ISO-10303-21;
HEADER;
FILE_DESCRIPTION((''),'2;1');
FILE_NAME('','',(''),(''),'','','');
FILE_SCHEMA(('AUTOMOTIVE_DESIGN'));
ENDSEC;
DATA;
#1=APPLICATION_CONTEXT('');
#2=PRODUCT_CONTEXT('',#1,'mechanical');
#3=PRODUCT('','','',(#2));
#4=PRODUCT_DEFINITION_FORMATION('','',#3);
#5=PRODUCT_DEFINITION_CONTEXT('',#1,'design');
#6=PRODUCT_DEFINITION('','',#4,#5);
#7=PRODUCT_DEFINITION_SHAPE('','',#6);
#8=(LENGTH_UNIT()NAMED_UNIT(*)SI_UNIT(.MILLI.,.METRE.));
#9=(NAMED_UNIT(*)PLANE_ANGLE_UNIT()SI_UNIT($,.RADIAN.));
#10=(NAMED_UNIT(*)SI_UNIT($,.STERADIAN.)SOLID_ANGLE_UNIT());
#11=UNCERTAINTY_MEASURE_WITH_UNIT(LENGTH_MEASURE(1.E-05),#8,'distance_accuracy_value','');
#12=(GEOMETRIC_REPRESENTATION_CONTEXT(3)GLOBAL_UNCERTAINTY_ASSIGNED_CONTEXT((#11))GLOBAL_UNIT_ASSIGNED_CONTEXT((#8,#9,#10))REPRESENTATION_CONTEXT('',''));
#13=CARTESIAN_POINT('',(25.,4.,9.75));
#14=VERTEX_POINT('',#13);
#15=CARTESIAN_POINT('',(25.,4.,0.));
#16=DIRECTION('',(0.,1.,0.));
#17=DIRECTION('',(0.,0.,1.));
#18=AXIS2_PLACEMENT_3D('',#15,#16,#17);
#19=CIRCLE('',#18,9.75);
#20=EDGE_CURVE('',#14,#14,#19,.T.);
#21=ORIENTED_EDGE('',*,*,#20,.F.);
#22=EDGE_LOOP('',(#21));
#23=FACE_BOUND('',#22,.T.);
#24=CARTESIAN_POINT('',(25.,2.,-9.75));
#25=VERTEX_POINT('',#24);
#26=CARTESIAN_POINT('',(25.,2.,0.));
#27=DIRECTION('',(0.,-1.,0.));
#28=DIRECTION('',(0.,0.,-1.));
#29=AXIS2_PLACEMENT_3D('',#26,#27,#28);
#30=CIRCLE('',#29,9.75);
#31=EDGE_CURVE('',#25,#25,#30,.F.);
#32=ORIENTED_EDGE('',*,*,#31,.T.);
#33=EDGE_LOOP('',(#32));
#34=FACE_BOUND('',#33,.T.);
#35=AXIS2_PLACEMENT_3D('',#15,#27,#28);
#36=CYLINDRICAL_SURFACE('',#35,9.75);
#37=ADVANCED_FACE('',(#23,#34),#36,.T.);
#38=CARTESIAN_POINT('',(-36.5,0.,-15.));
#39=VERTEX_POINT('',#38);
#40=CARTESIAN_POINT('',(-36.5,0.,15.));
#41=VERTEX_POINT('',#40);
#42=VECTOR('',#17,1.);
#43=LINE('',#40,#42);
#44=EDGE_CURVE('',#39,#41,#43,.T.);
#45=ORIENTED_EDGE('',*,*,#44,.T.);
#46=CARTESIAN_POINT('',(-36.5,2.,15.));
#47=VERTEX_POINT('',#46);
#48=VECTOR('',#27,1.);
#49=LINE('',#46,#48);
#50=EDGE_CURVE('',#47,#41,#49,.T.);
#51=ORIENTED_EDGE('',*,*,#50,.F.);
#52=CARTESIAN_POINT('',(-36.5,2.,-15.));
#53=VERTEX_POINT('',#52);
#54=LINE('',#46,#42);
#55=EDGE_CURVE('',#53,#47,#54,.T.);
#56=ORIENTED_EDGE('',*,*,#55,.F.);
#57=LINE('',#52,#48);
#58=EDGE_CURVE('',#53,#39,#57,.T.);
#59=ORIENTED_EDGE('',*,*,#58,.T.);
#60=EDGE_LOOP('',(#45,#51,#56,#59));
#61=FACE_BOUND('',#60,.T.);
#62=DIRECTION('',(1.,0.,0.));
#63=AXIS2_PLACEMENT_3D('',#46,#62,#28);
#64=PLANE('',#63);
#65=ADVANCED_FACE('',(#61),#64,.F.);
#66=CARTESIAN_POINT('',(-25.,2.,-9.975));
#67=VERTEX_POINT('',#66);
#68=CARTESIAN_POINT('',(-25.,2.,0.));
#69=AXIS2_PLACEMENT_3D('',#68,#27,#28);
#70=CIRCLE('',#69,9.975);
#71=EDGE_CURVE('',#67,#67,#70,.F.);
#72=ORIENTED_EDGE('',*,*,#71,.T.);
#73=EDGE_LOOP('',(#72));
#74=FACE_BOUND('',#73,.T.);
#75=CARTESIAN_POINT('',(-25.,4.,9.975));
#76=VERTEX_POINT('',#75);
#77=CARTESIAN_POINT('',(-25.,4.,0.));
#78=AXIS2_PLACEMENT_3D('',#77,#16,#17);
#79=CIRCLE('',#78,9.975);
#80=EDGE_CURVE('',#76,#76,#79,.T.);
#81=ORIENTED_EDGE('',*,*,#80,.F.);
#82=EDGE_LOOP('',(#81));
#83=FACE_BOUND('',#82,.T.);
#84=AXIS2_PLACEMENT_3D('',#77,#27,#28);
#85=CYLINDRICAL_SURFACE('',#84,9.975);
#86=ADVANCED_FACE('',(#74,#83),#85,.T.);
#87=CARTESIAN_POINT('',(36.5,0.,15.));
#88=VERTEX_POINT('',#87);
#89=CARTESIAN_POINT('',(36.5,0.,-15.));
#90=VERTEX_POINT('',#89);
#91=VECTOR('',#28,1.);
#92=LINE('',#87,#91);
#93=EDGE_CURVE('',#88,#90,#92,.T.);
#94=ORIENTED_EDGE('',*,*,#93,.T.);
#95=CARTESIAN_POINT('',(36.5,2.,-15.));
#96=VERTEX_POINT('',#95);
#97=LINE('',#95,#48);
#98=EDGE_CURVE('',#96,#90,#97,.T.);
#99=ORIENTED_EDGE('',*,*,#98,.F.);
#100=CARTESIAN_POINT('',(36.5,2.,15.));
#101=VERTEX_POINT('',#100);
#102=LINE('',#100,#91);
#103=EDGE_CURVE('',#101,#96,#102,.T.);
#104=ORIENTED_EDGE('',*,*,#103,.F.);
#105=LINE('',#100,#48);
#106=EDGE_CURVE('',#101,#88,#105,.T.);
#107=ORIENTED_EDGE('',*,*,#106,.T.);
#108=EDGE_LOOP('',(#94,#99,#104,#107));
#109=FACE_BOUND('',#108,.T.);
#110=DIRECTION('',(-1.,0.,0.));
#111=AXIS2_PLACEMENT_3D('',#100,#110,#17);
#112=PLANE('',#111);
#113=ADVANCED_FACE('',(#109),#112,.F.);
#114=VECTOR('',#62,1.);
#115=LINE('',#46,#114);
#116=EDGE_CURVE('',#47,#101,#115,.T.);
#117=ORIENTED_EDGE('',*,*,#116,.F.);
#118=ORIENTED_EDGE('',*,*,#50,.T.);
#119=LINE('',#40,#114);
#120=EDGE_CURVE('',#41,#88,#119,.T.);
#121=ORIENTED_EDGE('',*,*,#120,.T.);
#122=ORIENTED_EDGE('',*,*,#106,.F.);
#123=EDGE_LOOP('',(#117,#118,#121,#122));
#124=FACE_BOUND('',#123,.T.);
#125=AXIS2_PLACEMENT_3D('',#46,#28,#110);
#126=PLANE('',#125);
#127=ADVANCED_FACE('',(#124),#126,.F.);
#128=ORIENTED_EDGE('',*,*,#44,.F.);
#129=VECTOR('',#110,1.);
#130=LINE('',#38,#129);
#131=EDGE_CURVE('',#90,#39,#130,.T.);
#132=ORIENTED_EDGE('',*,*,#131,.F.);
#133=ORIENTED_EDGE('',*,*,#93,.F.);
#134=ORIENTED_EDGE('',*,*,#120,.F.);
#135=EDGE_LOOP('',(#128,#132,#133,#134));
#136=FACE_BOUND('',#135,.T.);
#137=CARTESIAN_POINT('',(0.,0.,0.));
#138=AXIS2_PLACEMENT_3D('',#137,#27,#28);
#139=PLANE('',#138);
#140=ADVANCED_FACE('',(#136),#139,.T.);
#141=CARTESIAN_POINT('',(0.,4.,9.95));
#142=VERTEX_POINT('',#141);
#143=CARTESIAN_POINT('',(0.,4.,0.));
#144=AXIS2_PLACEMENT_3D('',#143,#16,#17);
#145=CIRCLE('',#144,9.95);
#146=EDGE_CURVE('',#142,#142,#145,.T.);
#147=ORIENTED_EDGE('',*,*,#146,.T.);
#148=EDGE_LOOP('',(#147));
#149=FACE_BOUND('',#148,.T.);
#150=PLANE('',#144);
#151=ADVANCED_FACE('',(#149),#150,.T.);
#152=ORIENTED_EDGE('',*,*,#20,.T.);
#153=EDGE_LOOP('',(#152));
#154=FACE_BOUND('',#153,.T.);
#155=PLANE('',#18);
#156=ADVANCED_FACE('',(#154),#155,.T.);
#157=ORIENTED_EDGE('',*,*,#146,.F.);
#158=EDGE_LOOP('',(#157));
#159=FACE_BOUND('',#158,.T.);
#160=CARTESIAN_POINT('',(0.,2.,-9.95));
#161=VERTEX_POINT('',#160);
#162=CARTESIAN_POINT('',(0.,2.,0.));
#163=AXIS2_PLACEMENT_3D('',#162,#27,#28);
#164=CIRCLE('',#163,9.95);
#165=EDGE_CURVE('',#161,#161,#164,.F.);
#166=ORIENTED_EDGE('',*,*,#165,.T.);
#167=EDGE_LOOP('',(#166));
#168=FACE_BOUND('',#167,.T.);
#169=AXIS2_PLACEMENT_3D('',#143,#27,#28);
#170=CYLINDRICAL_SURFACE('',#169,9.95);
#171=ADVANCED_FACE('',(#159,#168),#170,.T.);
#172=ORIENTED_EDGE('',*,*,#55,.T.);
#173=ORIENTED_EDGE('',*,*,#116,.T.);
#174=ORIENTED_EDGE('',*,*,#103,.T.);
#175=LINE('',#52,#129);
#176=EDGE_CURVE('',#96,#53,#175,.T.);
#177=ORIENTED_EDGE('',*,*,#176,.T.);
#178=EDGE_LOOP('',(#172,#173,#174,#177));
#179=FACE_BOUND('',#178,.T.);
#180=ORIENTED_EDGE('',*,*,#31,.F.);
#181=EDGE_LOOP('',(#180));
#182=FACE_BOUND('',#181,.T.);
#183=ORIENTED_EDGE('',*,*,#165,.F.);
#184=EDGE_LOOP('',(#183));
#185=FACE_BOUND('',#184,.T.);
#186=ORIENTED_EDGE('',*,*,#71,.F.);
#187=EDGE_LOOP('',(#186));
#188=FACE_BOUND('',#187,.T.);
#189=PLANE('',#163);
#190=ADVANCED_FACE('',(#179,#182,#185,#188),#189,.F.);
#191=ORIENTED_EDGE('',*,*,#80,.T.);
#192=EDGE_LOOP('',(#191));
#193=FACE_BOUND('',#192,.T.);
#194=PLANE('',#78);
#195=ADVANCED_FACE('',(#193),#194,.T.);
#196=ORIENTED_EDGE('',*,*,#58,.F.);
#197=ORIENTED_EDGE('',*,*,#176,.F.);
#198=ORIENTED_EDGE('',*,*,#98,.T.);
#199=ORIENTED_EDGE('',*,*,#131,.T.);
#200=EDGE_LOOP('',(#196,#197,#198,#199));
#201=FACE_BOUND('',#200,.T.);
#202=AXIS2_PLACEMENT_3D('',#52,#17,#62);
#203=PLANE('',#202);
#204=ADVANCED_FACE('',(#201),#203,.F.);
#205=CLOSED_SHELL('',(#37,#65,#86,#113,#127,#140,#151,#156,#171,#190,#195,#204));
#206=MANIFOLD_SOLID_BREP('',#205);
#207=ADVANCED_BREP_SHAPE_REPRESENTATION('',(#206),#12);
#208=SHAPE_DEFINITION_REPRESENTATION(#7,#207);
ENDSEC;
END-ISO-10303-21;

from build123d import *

# Parameters (mm, degrees)
CROQUIS1_W              = 73
CROQUIS1_H              = 30
SALIENTE_EXTRUIR1_DEPTH = 2
CROQUIS2_R              = 9.975
CROQUIS2_R_2            = 9.95
CROQUIS2_R_3            = 9.75
SALIENTE_EXTRUIR2_DEPTH = 2


with BuildPart() as part:
    # Croquis1 → Saliente-Extruir1 (new body)
    with BuildSketch(Plane(origin=(0, 0, 0), x_dir=(1, 0, 0), z_dir=(0, 1, 0))):
        Rectangle(CROQUIS1_W, CROQUIS1_H)
    extrude(amount=SALIENTE_EXTRUIR1_DEPTH)

    # Croquis2 → Saliente-Extruir2 (add)
    with BuildSketch(Plane(origin=(0, 2, 0), x_dir=(1, 0, 0), z_dir=(0, 1, 0))):
        with Locations(Location((-25, 0, 0), (0, 0, 90))):
            Circle(CROQUIS2_R)
        with Locations(Location((0, 0, 0), (0, 0, 90))):
            Circle(CROQUIS2_R_2)
        with Locations(Location((25, 0, 0), (0, 0, 90))):
            Circle(CROQUIS2_R_3)
    extrude(amount=SALIENTE_EXTRUIR2_DEPTH)


solid = part.part
